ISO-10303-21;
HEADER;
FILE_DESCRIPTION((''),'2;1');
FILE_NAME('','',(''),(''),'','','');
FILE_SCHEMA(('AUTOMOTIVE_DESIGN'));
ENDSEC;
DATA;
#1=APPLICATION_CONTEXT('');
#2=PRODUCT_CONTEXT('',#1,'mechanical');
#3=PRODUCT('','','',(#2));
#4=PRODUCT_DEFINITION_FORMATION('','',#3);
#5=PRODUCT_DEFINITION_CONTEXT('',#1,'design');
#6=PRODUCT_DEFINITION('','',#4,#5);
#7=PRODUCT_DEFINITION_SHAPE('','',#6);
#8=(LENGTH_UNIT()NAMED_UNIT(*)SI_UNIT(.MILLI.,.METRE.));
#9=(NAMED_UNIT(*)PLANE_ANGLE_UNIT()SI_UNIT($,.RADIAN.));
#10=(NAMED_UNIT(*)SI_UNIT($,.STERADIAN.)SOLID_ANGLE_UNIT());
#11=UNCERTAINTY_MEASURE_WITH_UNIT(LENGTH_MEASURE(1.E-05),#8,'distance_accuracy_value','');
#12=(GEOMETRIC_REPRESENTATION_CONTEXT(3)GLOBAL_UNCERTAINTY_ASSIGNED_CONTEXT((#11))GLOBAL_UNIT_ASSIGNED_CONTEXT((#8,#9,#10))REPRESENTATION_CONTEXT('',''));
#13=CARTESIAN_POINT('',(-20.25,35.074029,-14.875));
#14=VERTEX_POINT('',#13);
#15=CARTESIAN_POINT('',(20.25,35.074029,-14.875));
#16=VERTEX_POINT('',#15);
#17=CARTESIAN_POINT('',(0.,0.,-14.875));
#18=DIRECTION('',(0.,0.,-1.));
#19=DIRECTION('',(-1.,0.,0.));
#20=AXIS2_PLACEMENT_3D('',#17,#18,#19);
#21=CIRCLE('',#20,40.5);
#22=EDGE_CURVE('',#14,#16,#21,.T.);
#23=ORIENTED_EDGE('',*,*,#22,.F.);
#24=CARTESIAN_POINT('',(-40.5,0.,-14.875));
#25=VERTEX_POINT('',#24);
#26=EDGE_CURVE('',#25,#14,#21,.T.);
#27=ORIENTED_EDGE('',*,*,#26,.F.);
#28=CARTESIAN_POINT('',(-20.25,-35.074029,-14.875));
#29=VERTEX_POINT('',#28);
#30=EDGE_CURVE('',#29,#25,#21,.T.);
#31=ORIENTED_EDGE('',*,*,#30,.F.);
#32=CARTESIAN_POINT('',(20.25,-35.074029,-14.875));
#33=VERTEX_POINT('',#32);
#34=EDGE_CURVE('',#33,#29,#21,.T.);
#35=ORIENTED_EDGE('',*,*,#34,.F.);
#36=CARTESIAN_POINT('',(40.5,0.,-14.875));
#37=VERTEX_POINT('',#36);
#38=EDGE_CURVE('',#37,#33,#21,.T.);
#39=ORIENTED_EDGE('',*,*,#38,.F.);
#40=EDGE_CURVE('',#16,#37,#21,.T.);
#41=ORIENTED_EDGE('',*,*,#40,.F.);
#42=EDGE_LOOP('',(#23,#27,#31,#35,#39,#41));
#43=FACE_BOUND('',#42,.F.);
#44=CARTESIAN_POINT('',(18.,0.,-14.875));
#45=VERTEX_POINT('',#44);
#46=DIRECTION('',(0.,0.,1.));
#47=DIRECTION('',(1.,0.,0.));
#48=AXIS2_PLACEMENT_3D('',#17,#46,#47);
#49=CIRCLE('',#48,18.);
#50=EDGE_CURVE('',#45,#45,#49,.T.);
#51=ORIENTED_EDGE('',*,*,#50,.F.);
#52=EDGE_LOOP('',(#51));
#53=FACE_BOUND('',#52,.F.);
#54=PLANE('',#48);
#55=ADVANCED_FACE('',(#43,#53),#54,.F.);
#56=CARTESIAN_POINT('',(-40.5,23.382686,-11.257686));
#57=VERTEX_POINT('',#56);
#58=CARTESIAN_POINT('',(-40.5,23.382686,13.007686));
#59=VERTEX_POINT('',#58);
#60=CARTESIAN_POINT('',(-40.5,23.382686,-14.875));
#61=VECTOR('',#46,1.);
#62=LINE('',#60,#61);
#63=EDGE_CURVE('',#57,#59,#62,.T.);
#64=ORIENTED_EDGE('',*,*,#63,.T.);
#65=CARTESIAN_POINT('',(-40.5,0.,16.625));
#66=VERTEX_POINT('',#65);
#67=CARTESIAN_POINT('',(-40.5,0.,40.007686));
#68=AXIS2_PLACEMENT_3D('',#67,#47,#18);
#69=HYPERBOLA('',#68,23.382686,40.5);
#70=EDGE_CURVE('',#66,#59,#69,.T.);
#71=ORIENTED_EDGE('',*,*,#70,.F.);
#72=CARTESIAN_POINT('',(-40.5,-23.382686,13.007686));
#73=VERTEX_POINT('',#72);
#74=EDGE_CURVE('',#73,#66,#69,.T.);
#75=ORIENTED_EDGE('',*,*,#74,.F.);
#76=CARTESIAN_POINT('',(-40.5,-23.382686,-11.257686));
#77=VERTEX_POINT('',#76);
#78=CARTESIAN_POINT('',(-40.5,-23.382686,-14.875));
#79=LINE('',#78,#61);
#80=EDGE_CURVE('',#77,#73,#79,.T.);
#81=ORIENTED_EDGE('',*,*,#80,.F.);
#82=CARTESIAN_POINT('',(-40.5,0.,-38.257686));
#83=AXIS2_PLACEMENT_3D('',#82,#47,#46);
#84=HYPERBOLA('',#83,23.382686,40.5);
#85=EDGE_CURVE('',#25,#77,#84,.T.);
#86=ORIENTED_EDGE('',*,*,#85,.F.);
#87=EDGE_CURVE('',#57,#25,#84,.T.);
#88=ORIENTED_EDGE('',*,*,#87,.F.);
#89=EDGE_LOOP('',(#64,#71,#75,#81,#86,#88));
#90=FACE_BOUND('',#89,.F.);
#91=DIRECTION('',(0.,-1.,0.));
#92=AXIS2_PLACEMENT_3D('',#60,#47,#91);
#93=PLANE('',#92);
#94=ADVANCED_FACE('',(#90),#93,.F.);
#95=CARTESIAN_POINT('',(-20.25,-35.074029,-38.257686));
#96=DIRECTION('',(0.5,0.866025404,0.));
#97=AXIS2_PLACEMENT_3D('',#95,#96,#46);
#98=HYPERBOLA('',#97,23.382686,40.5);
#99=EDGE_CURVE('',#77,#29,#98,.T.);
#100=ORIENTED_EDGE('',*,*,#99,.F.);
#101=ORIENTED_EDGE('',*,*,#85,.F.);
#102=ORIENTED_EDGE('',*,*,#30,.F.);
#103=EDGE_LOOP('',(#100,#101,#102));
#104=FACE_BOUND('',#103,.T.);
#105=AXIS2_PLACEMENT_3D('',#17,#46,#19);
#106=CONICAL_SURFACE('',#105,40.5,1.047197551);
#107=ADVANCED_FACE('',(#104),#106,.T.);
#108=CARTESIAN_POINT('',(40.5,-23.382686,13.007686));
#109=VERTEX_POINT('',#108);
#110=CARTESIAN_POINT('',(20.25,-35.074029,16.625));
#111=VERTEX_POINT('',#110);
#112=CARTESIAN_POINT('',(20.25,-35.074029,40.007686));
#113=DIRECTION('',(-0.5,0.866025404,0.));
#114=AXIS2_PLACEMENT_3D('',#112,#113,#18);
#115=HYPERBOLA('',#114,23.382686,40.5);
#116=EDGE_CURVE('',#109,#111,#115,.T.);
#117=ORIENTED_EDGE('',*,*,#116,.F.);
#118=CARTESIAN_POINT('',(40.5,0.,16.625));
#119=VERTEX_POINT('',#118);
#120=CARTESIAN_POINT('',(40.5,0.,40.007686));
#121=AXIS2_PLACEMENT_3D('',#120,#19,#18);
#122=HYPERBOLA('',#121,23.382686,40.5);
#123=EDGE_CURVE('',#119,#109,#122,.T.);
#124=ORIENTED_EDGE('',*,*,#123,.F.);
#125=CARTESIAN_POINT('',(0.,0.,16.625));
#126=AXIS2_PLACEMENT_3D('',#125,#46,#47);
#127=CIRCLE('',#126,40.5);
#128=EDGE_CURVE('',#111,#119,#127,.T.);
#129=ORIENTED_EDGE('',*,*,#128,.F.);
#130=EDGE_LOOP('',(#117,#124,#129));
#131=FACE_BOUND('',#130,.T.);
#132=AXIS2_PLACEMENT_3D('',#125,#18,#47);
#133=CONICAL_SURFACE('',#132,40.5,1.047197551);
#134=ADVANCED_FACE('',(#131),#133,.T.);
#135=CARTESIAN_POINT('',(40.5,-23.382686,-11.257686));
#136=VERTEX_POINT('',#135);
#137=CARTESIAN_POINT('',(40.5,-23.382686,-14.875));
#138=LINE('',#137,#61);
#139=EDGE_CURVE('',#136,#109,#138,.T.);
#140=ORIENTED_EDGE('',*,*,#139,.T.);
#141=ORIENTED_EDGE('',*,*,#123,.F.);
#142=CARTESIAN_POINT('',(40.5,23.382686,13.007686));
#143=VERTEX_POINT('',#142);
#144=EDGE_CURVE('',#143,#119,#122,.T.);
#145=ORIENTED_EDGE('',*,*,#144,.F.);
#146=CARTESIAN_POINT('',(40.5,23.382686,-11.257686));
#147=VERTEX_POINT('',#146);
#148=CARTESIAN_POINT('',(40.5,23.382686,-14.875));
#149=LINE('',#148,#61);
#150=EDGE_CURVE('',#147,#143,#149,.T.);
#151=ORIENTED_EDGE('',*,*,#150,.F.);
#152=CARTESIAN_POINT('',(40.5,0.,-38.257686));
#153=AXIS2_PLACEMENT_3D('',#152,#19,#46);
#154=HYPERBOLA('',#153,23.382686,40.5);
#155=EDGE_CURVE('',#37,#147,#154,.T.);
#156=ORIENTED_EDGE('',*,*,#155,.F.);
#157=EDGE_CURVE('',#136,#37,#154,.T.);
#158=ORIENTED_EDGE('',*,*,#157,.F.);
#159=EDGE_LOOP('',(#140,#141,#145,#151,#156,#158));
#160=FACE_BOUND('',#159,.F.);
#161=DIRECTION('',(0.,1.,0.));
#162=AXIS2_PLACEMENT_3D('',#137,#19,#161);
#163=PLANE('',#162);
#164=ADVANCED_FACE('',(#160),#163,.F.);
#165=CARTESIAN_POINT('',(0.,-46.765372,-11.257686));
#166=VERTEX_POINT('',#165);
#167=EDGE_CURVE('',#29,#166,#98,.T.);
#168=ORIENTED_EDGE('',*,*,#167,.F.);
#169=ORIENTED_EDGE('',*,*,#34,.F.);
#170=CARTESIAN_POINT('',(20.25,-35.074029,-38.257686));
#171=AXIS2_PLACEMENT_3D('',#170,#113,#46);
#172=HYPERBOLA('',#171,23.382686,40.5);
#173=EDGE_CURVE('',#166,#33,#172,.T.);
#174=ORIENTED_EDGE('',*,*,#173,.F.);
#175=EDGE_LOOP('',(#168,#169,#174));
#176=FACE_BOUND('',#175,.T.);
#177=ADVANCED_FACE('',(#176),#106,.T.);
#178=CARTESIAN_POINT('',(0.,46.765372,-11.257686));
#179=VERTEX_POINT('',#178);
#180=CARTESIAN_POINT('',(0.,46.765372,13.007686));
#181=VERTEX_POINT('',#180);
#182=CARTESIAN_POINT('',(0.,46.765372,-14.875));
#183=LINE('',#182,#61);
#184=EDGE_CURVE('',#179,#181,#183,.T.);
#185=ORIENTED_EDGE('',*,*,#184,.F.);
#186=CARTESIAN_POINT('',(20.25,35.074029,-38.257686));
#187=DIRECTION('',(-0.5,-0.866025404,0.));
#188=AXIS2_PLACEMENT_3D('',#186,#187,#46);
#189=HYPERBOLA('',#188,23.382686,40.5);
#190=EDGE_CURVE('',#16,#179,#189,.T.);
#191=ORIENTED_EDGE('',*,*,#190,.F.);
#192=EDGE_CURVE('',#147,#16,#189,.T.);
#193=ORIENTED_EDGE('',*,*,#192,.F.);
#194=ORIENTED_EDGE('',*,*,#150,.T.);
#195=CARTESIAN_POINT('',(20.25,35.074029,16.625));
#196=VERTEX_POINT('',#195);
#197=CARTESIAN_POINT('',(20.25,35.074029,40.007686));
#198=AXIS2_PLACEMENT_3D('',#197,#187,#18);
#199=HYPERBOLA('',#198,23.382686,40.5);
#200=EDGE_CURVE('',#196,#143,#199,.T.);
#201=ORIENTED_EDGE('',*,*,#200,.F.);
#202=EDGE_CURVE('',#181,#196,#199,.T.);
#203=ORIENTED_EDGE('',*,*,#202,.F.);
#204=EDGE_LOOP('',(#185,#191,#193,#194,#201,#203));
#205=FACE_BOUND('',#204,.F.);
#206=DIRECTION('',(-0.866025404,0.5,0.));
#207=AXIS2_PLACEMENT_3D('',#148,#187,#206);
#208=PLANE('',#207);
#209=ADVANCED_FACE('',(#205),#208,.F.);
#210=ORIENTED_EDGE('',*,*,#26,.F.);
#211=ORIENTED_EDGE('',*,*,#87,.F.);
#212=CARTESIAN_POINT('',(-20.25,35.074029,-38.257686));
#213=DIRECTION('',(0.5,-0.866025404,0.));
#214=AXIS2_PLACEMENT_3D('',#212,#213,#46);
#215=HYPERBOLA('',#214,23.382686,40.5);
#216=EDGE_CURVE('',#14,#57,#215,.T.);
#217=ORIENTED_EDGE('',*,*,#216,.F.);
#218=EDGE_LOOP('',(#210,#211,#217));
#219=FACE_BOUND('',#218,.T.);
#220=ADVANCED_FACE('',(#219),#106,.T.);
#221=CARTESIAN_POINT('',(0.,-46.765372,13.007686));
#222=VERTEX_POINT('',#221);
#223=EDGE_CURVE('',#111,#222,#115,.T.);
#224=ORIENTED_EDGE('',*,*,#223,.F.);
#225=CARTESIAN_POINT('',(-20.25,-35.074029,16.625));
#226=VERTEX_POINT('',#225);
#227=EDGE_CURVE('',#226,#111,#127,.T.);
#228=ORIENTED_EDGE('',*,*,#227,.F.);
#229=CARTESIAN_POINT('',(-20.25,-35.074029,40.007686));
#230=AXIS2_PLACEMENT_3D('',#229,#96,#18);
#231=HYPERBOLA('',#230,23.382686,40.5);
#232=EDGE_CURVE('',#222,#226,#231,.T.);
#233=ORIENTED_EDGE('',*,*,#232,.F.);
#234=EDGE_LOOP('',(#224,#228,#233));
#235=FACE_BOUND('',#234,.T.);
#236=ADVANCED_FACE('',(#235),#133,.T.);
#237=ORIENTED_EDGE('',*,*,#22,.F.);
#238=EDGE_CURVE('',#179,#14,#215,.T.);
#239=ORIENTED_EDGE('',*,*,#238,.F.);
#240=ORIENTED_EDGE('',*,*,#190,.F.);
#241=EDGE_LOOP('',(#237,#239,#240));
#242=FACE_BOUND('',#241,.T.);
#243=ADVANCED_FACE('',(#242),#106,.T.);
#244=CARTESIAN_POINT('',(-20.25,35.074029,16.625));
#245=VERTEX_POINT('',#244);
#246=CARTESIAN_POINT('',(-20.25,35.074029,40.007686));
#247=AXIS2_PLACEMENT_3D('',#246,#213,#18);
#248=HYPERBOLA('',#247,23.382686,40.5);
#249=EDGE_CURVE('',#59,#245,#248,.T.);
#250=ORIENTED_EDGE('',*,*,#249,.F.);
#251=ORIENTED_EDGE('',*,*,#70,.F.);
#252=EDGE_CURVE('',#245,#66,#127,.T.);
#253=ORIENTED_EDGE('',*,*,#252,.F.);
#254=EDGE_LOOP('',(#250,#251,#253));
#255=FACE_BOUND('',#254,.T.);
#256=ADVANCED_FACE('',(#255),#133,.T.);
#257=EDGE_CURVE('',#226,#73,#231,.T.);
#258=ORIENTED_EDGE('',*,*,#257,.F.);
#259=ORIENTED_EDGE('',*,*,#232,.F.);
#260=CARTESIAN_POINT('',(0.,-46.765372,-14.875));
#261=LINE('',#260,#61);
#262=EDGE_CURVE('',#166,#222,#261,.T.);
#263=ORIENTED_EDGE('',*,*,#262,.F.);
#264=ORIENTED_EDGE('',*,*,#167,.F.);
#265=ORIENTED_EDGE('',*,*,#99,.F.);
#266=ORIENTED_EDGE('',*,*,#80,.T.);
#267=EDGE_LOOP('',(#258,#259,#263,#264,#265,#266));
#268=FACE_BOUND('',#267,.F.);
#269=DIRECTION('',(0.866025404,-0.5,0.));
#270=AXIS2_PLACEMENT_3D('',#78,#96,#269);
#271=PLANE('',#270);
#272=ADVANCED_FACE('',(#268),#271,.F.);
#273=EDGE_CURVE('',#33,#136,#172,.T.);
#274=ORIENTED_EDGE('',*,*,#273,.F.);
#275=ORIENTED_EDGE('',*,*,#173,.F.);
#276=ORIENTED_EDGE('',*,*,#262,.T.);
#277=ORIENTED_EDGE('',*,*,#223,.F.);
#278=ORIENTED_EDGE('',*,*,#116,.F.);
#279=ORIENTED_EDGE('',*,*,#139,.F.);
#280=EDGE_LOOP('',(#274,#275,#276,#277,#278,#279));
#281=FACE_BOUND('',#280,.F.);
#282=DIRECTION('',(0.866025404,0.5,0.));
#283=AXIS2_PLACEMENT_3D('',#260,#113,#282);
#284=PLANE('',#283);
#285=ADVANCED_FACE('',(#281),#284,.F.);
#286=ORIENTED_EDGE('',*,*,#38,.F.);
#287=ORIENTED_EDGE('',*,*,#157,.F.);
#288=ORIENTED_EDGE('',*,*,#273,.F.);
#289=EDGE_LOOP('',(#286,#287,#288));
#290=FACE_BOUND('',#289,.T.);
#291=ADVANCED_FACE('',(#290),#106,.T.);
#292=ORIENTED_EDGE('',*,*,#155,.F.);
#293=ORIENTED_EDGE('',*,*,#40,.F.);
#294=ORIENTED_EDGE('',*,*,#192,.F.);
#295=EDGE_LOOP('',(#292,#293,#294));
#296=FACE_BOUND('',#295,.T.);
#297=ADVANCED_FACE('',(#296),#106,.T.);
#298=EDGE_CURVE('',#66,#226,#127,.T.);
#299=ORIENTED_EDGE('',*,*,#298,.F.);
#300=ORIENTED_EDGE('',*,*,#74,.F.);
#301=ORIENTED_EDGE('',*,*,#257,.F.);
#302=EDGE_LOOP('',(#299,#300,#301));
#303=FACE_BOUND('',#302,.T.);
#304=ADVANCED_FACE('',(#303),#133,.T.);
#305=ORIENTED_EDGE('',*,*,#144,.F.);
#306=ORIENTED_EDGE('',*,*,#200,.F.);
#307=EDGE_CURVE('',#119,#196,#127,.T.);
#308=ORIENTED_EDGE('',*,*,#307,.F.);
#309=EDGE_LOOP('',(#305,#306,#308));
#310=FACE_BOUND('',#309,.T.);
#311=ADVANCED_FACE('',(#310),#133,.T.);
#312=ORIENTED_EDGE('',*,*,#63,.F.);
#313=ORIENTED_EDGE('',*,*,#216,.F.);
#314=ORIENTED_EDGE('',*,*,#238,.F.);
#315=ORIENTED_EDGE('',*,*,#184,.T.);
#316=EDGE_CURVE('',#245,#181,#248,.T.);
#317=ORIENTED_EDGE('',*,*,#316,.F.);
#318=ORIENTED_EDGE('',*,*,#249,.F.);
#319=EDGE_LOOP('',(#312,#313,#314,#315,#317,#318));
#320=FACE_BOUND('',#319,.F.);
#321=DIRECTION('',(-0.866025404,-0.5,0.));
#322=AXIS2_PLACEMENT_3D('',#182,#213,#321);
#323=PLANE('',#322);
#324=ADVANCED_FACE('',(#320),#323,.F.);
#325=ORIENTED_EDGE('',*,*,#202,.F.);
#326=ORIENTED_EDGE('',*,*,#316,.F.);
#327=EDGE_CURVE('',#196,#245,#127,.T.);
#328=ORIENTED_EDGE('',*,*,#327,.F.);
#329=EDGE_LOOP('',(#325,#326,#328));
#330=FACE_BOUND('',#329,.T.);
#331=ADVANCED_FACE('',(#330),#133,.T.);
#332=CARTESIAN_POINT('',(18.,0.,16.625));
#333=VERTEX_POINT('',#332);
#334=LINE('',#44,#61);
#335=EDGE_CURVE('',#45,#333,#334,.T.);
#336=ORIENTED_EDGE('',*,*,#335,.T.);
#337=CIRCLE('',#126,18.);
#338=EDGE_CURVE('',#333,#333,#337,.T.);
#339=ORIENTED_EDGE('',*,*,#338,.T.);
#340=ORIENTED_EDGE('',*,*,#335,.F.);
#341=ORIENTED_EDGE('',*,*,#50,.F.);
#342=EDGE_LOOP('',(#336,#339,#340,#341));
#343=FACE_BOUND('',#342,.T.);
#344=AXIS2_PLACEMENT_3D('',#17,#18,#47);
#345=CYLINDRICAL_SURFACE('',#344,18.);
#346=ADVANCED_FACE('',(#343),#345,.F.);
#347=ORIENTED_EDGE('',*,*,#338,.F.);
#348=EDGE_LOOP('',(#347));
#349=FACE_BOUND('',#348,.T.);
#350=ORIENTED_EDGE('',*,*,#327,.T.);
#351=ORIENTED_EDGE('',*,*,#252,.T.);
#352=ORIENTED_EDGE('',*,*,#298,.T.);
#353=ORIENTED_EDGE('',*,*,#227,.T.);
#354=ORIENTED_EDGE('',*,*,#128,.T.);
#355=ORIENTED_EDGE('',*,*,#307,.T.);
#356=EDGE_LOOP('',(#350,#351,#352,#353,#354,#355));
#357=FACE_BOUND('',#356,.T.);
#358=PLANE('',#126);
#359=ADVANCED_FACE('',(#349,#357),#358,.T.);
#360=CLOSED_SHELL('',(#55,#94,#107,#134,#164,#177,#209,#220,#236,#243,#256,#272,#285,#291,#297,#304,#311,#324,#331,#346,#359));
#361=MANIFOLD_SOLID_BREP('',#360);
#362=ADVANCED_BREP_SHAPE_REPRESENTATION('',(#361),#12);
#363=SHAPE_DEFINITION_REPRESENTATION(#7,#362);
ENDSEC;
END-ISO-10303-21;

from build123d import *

# Parameters (mm, degrees)
SKETCH1_R           = 1
BOSS_EXTRUDE1_DEPTH = 1.75
SKETCH2_R           = 3.798357005
SKETCH2_R_2         = 2.25
CUT_EXTRUDE1_DEPTH  = 2
CUT_EXTRUDE1_TAPER  = 60
SKETCH3_R           = 3.513551011
SKETCH3_R_2         = 2.25
CUT_EXTRUDE2_DEPTH  = 2
CUT_EXTRUDE2_TAPER  = 60
SCALE1_SCALE        = 18


with BuildPart() as part:
    # Sketch1 → Boss-Extrude1 (new body)
    with BuildSketch(Plane.XY):
        Polygon((2.25, 1.299038106), (0, 2.598076211), (-2.25, 1.299038106), (-2.25, -1.299038106), (0, -2.598076211), (2.25, -1.299038106), align=None)
        Circle(SKETCH1_R, mode=Mode.SUBTRACT)
    extrude(amount=BOSS_EXTRUDE1_DEPTH)

    # Sketch2 → Cut-Extrude1 (cut)
    with BuildSketch(Plane.XY.offset(1.75)):
        Circle(SKETCH2_R)
        Circle(SKETCH2_R_2, mode=Mode.SUBTRACT)
    extrude(amount=-CUT_EXTRUDE1_DEPTH, taper=CUT_EXTRUDE1_TAPER, mode=Mode.SUBTRACT)

    # Sketch3 → Cut-Extrude2 (cut)
    with BuildSketch(Plane(origin=(0, 0, 0), x_dir=(-1, 0, 0), z_dir=(0, 0, -1))):
        Circle(SKETCH3_R)
        Circle(SKETCH3_R_2, mode=Mode.SUBTRACT)
    extrude(amount=-CUT_EXTRUDE2_DEPTH, taper=CUT_EXTRUDE2_TAPER, mode=Mode.SUBTRACT)


with BuildPart() as part_1:
    # Scale1: scaled about (0, 0, 0.875)
    add(part.part.scale(SCALE1_SCALE).moved(Location((0, 0, -14.875))))


solid = part_1.part
